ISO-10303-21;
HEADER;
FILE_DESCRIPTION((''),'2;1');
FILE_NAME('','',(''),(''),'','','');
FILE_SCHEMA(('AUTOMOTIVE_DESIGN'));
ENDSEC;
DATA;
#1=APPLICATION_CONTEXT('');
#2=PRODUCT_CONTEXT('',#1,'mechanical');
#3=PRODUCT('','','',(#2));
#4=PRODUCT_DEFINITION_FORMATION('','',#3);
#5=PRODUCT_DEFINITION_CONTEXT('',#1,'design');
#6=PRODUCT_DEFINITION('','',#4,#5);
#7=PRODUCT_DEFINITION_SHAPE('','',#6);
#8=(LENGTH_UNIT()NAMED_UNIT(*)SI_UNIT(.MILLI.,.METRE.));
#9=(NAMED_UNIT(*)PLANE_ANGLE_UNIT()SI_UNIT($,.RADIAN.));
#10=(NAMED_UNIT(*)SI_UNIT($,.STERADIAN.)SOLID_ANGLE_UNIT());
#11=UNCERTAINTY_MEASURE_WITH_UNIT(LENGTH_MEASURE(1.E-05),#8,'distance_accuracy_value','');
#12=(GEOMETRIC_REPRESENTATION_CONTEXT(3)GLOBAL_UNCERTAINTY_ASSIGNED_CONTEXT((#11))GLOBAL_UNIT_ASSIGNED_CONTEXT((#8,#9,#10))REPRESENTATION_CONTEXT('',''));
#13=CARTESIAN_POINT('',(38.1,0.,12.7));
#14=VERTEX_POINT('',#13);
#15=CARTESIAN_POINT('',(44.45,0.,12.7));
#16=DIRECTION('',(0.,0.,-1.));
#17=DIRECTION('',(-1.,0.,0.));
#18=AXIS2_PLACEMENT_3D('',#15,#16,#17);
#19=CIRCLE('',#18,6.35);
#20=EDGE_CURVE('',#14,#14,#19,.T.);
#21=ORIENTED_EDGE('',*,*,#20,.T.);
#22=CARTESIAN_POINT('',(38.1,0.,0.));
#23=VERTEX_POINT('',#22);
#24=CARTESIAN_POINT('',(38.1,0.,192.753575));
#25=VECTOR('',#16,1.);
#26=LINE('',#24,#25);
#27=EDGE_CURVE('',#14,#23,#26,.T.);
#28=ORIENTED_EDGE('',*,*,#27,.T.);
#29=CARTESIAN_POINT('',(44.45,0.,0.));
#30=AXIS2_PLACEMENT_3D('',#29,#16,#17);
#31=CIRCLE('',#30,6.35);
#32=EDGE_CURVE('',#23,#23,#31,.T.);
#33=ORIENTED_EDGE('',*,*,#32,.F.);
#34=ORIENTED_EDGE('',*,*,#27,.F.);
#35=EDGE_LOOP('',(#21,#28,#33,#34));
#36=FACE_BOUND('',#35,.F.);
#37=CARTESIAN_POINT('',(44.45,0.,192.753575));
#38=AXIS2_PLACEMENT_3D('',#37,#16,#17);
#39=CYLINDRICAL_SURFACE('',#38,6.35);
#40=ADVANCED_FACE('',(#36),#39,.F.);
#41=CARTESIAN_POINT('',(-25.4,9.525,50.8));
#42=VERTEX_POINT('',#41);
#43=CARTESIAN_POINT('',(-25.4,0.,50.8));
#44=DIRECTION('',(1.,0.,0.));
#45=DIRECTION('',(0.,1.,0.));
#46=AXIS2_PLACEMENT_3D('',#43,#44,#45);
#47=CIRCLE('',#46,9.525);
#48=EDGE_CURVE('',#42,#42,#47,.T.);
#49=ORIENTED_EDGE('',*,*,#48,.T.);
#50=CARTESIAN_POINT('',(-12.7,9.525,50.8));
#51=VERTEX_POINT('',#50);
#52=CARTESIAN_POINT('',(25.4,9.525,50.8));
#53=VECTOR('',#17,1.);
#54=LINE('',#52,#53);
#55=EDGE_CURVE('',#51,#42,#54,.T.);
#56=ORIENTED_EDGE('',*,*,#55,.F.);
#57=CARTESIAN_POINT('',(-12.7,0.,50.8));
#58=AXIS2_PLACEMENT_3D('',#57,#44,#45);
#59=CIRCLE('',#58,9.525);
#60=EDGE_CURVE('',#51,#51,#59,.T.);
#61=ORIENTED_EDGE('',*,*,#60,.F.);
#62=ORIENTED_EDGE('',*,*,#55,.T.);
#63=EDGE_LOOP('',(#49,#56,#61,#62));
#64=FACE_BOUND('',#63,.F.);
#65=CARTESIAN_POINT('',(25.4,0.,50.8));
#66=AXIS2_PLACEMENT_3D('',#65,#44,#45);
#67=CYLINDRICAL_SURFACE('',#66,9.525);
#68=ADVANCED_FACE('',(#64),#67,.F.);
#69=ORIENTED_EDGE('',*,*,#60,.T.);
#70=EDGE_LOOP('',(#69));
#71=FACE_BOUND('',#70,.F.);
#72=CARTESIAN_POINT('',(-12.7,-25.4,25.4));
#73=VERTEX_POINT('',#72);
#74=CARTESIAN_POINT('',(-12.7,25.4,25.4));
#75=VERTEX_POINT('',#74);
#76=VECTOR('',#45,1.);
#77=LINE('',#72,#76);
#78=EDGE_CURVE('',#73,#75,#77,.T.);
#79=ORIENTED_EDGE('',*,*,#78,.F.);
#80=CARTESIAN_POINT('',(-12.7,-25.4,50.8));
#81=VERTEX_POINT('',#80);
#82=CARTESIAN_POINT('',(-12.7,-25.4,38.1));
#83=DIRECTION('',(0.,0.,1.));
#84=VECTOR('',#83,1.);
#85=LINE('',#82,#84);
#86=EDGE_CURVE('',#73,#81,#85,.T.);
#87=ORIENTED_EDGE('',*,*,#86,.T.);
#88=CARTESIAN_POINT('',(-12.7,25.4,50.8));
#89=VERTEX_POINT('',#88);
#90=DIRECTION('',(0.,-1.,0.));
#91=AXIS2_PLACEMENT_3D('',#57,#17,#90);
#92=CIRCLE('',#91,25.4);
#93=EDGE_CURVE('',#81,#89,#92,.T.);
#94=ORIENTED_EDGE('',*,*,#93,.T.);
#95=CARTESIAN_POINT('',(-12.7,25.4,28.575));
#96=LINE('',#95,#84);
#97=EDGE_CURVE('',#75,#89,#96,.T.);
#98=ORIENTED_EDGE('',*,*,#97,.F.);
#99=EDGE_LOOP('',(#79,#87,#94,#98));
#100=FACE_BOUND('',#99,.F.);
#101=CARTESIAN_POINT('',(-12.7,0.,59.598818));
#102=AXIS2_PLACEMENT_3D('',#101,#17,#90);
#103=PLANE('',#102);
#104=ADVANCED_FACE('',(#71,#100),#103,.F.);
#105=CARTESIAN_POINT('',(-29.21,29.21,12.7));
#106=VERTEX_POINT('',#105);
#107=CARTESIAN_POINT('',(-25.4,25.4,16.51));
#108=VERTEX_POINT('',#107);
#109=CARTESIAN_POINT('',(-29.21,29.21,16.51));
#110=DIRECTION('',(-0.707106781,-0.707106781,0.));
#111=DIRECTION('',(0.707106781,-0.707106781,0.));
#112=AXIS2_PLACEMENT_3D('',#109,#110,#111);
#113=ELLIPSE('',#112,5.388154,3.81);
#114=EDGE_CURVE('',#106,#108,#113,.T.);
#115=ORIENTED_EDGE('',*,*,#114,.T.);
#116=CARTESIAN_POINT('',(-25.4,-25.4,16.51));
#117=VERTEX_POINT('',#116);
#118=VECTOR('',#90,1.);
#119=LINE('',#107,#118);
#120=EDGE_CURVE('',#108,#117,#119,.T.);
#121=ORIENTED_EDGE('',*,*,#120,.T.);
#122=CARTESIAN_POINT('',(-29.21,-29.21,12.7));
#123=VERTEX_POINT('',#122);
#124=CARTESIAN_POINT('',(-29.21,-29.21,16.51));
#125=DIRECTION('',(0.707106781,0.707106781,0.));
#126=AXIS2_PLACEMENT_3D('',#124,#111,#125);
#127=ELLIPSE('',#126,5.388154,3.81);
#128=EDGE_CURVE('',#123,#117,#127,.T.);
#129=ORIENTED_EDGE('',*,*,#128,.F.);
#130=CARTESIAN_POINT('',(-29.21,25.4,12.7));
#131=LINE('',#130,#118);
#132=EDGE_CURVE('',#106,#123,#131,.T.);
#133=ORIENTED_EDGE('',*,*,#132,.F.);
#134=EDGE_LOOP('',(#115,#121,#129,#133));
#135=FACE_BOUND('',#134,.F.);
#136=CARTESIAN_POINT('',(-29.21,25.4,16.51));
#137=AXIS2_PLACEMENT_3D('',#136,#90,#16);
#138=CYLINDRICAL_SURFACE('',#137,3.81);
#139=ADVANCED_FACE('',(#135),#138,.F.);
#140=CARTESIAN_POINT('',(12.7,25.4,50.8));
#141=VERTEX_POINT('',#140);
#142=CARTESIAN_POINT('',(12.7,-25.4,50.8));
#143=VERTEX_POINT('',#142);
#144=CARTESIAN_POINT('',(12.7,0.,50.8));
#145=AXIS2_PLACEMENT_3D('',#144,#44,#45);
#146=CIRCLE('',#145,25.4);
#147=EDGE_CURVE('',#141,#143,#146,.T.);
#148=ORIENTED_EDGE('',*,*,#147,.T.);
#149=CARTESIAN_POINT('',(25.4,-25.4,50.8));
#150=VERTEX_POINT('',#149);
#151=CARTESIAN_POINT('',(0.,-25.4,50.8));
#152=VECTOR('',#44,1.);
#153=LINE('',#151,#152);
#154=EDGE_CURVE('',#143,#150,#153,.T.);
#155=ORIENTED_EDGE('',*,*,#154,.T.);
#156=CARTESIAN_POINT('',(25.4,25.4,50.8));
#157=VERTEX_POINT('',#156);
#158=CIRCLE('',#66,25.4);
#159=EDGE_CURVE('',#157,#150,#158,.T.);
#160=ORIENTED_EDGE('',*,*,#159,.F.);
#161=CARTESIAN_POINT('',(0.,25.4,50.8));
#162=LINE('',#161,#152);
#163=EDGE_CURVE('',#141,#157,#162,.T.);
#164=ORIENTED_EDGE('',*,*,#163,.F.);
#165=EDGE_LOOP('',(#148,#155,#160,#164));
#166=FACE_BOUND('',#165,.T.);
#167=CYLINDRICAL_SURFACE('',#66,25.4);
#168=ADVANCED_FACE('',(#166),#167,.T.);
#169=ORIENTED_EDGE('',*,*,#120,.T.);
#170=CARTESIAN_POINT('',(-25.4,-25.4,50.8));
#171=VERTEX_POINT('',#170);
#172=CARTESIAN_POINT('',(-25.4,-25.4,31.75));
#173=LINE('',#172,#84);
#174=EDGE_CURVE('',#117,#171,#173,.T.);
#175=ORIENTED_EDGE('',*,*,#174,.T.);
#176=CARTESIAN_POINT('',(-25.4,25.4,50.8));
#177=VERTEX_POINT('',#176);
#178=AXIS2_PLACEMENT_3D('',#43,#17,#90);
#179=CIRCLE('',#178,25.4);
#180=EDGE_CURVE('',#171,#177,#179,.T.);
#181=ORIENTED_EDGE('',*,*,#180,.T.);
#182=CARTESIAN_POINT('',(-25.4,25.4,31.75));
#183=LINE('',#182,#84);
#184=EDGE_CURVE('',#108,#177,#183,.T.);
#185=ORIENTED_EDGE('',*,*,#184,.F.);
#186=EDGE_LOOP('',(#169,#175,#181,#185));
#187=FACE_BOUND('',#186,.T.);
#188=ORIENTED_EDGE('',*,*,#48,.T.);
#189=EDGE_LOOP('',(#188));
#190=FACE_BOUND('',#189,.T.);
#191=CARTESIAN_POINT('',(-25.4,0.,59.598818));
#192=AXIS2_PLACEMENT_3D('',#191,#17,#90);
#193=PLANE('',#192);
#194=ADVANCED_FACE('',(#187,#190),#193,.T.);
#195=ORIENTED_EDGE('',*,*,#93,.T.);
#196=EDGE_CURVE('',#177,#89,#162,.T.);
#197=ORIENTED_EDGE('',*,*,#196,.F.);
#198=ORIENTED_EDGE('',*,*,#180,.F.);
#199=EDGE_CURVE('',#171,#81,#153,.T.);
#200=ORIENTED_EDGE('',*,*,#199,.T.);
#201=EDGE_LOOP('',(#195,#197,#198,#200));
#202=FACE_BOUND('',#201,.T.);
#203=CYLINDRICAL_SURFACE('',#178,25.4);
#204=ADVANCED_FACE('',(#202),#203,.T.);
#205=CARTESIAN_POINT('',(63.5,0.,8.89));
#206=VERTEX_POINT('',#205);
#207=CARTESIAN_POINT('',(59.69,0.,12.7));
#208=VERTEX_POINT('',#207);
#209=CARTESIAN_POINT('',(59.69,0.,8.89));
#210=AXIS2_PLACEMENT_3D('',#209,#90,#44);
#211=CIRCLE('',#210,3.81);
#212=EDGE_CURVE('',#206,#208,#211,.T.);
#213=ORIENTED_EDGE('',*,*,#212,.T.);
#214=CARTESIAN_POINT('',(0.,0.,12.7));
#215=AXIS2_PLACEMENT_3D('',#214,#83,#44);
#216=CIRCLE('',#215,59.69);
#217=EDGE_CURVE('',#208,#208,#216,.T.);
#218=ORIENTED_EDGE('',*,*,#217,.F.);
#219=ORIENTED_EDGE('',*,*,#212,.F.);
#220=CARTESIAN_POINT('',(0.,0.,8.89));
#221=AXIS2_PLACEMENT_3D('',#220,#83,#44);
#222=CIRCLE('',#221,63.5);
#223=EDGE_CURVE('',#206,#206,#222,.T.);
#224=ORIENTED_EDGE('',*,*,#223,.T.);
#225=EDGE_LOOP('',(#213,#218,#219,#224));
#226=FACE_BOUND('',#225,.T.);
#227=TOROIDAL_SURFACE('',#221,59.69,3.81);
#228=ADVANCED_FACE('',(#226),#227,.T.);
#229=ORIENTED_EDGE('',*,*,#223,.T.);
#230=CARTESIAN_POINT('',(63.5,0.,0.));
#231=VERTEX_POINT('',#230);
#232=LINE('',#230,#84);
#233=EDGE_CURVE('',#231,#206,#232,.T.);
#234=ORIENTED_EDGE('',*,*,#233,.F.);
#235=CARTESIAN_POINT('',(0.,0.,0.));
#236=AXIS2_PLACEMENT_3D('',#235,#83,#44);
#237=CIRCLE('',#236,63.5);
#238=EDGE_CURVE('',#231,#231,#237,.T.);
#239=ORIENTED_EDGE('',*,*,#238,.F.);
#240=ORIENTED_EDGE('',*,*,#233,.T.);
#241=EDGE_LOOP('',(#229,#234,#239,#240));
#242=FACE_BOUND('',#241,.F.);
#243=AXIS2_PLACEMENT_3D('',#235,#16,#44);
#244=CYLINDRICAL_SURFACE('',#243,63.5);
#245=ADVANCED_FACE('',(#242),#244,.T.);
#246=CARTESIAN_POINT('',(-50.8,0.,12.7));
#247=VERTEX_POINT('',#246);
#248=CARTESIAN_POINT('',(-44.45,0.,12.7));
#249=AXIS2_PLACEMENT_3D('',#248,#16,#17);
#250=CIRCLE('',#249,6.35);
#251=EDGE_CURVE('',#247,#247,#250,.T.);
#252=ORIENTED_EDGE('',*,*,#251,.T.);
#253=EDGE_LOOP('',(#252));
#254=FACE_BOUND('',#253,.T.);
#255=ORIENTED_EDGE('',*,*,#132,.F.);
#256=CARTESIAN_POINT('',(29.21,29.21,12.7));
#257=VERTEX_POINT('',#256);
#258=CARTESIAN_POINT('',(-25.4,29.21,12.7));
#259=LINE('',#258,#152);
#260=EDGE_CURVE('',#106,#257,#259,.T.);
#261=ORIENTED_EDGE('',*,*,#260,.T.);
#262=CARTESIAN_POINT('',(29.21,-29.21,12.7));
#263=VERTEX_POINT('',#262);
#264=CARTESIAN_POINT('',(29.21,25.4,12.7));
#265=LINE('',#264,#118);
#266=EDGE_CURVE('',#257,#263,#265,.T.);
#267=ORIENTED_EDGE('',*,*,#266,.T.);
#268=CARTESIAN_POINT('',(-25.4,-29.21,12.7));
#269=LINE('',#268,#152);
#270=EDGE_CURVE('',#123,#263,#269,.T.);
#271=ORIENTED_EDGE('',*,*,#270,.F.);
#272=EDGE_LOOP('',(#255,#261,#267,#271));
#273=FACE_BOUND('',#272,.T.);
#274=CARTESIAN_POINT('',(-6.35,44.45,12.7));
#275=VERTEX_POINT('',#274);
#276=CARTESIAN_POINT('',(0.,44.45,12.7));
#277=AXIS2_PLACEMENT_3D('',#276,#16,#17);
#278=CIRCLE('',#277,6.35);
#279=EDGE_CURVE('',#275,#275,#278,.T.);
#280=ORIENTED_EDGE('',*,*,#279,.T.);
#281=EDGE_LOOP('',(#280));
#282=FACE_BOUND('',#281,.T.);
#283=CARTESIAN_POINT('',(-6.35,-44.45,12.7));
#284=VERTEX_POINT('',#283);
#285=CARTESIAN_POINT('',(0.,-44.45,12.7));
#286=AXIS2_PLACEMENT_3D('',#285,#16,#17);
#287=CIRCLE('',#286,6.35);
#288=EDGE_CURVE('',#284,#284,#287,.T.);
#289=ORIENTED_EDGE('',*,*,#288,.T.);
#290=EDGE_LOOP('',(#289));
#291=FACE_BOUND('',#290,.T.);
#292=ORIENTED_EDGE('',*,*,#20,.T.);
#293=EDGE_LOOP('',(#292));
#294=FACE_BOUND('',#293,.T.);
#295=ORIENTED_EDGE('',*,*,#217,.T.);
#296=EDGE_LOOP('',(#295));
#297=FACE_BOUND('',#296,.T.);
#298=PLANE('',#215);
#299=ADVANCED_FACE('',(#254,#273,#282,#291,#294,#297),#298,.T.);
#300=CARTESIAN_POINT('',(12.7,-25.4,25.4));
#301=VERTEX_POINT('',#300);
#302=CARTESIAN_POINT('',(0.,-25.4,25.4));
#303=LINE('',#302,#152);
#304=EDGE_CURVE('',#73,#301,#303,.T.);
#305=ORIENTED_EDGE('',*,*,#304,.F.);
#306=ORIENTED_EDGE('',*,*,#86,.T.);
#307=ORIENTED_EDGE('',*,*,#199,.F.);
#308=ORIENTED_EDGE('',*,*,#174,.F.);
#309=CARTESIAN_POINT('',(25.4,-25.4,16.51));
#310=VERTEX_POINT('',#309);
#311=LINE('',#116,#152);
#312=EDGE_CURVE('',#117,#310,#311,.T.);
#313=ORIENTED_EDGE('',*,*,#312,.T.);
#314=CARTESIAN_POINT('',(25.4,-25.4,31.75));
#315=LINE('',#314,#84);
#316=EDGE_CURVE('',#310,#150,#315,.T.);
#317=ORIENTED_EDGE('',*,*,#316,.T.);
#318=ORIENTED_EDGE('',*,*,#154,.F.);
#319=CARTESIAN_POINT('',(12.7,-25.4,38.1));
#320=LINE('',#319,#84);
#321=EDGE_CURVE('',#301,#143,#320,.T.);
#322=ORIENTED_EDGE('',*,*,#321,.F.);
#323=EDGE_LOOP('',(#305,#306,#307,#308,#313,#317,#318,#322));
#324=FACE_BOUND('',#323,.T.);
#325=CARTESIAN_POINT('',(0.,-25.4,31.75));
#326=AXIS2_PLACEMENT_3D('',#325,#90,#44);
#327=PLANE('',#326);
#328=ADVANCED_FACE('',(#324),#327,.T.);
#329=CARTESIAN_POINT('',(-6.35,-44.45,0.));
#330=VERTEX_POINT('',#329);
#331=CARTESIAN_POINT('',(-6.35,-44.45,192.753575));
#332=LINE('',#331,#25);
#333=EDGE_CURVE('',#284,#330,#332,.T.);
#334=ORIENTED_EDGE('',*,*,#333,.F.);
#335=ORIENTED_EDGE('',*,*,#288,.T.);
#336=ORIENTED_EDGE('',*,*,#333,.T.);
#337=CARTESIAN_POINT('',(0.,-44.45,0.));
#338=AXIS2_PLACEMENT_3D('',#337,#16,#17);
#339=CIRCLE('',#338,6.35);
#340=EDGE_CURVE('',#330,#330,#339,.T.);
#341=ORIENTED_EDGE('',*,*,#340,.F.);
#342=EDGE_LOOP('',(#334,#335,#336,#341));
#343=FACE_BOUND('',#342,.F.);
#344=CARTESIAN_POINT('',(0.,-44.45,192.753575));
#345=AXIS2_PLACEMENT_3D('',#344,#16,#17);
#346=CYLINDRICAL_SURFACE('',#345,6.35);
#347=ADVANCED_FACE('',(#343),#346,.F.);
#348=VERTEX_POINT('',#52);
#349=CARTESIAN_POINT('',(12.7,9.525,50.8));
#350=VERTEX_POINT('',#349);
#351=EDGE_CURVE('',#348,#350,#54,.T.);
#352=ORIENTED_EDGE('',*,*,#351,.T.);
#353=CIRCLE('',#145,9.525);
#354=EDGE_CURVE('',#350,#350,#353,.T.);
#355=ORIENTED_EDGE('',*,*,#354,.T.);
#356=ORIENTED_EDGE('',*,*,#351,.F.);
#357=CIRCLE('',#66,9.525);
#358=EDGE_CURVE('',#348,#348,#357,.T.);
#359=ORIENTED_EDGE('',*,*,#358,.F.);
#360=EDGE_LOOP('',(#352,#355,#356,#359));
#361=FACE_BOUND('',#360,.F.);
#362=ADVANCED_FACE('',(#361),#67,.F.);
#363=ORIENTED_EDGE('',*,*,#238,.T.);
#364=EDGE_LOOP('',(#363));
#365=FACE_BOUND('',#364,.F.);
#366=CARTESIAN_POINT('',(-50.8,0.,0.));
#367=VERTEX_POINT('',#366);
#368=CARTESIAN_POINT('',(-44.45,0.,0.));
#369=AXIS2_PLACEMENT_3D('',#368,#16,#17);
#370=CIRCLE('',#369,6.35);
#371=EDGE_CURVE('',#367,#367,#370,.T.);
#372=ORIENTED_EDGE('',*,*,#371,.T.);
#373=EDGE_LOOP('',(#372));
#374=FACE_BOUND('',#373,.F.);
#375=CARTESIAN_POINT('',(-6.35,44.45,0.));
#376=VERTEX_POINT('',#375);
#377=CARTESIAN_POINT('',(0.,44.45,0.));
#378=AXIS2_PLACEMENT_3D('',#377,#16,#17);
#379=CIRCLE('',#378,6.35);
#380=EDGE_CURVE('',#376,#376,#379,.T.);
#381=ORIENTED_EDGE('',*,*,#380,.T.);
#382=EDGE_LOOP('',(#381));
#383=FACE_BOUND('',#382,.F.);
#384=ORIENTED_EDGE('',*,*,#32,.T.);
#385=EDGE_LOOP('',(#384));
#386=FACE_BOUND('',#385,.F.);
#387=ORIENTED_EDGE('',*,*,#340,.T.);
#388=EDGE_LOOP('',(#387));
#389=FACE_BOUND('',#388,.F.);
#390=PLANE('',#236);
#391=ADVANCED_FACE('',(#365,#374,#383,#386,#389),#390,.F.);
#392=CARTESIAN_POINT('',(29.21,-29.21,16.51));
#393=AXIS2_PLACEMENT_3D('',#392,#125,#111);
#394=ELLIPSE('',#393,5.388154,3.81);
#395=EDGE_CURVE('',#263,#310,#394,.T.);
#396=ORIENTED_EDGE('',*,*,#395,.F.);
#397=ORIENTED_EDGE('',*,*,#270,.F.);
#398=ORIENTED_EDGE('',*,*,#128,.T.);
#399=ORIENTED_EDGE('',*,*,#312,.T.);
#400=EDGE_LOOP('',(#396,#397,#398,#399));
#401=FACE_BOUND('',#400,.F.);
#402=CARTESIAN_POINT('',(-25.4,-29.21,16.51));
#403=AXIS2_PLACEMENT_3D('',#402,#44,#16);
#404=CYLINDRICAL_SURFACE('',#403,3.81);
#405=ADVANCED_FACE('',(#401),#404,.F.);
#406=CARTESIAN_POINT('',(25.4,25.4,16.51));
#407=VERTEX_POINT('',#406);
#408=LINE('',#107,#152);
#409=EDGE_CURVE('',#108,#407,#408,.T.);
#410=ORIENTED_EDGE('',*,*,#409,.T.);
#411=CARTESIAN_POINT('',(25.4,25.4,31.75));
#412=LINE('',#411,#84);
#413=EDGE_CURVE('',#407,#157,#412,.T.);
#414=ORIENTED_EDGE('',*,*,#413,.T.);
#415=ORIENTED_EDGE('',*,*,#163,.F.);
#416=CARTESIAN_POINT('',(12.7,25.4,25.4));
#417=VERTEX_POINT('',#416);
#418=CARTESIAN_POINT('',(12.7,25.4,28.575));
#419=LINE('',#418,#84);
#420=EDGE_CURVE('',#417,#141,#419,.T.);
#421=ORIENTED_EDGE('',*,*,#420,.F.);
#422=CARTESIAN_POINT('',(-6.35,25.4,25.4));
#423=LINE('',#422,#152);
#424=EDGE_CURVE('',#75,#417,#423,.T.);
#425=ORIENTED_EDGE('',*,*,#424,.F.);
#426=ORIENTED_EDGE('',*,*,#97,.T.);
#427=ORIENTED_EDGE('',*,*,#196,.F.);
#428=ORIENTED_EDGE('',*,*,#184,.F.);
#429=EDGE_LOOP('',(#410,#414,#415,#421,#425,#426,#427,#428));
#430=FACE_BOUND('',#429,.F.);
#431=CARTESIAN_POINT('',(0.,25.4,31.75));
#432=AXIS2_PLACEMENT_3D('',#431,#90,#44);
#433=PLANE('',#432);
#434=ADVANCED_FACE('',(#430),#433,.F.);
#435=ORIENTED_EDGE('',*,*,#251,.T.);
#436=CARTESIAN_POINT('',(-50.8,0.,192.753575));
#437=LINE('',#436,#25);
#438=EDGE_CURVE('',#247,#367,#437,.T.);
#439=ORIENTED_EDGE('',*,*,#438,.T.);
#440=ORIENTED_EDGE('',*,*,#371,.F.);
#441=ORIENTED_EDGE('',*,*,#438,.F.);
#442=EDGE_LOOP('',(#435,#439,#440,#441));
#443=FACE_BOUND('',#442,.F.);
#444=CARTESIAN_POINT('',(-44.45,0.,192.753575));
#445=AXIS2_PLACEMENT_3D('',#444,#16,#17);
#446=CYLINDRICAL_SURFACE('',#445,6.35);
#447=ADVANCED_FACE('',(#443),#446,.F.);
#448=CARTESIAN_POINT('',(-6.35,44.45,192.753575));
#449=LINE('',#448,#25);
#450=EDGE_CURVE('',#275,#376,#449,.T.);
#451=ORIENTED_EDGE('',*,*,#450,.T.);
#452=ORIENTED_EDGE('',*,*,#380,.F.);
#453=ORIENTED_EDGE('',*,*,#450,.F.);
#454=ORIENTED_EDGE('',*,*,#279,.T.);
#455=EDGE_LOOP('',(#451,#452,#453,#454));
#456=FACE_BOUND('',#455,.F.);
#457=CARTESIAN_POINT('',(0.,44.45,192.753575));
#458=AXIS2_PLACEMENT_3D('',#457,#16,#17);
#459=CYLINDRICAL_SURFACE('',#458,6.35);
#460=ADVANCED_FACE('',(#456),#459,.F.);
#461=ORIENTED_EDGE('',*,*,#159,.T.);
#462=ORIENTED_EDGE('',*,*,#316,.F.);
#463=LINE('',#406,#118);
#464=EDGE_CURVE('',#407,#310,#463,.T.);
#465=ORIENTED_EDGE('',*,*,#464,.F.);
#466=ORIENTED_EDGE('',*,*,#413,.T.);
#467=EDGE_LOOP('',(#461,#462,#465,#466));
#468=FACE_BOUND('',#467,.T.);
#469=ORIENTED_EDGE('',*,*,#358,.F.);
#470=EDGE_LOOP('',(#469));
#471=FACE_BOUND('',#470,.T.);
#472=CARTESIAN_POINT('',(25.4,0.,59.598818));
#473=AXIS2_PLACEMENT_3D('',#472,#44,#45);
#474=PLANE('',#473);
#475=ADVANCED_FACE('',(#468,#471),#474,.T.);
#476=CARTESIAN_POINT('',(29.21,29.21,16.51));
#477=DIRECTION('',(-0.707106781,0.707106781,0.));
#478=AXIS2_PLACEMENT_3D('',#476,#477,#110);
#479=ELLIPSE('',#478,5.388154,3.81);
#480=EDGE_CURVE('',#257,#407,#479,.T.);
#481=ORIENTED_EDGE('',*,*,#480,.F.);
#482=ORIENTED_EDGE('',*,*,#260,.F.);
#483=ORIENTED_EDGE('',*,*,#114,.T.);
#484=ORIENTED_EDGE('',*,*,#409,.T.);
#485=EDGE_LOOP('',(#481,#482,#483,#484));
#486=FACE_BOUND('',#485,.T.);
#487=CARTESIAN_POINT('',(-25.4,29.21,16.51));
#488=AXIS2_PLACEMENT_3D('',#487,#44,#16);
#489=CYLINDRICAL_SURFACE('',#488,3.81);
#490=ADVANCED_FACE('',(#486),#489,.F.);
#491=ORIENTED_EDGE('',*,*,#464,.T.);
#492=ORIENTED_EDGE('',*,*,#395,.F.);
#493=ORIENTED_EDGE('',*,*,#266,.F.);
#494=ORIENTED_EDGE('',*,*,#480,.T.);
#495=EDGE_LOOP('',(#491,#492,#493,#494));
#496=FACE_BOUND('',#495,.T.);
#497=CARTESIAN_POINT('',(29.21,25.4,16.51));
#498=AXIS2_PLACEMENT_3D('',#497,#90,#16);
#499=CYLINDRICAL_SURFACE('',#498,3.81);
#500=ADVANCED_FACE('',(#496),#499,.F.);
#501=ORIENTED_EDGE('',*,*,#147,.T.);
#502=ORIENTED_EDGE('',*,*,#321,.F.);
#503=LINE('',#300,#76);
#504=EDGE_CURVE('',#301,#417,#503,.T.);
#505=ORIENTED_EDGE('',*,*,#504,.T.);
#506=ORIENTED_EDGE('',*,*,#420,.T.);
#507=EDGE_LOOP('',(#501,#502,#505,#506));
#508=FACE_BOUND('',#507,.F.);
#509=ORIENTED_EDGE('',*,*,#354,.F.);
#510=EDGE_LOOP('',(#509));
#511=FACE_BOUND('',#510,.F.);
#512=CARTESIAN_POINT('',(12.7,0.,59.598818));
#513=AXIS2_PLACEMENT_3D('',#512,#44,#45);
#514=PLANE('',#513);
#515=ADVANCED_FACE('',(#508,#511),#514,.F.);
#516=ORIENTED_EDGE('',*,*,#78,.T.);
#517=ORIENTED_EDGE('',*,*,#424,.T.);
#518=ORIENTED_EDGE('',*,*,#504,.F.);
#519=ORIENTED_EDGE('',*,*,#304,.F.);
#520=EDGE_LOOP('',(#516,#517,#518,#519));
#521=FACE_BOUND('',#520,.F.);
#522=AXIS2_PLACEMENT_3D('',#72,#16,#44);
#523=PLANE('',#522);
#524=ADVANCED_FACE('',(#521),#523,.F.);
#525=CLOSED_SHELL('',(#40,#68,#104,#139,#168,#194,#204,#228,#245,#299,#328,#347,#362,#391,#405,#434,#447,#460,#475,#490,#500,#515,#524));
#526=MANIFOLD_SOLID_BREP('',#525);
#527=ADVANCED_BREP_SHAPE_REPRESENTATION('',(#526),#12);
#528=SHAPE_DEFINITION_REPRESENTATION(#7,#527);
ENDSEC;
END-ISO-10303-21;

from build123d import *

# Parameters (mm, degrees)
F0_R      = 63.5
F1_DEPTH  = 12.7
F3_D      = 12.7
F4_W      = 50.8
F4_H      = 38.1
F5_DEPTH  = 25.4
F6_W      = 25.4
F6_H      = 25.4
F7_DEPTH  = 88.901
F8_R      = 3.81
F11_DEPTH = 12.7
F12_DEPTH = 12.7
F13_R     = 9.525
F14_DEPTH = 88.901


with BuildPart() as f1:
    # F0 (on Top) → F1 (new body)
    with BuildSketch(Plane.XY):
        Circle(F0_R)
    extrude(amount=F1_DEPTH)

    # F3 (through all)
    with Locations(Plane.XY.offset(12.7)):
        with Locations((0, 44.45), (-44.45, 0), (0, -44.45), (44.45, 0)):
            Hole(F3_D / 2)

    # F4 (on Front) → F5 (join, symmetric)
    with BuildSketch(Plane.XZ):
        with Locations((0, 31.75)):
            Rectangle(F4_W, F4_H)
    extrude(amount=F5_DEPTH, both=True)

    # F6 (on face) → F7 (cut, through all)
    with BuildSketch(Plane.XZ.offset(25.4)):
        with Locations((0, 38.1)):
            Rectangle(F6_W, F6_H)
    extrude(amount=-F7_DEPTH, mode=Mode.SUBTRACT)

    # F8
    f8_edges = [f1.edges().sort_by_distance(p)[0] for p in [
        (-63.5, 0, 12.7),
        (0, -25.4, 12.7),
        (25.4, 0, 12.7),
        (-25.4, 0, 12.7),
        (0, 25.4, 12.7),
    ]]
    fillet(f8_edges, radius=F8_R)

    # F9 (on face) → F11 (join)
    with BuildSketch(Plane.YZ.offset(25.4)):
        with BuildLine():
            Line((-25.4, 50.8), (25.4, 50.8))
            ThreePointArc((25.4, 50.8), (0, 76.2), (-25.4, 50.8))
        make_face()
    extrude(amount=-F11_DEPTH)

    # F10 (on face) → F12 (join)
    with BuildSketch(Plane(origin=(-25.4, 0, 0), x_dir=(0, -1, 0), z_dir=(-1, 0, 0))):
        with BuildLine():
            Line((-25.4, 50.8), (25.4, 50.8))
            ThreePointArc((25.4, 50.8), (0, 76.2), (-25.4, 50.8))
        make_face()
    extrude(amount=-F12_DEPTH)

    # F13 (on face) → F14 (cut, through all)
    with BuildSketch(Plane.YZ.offset(25.4)):
        with Locations((0, 50.8)):
            Circle(F13_R)
    extrude(amount=-F14_DEPTH, mode=Mode.SUBTRACT)


solid = f1.part
